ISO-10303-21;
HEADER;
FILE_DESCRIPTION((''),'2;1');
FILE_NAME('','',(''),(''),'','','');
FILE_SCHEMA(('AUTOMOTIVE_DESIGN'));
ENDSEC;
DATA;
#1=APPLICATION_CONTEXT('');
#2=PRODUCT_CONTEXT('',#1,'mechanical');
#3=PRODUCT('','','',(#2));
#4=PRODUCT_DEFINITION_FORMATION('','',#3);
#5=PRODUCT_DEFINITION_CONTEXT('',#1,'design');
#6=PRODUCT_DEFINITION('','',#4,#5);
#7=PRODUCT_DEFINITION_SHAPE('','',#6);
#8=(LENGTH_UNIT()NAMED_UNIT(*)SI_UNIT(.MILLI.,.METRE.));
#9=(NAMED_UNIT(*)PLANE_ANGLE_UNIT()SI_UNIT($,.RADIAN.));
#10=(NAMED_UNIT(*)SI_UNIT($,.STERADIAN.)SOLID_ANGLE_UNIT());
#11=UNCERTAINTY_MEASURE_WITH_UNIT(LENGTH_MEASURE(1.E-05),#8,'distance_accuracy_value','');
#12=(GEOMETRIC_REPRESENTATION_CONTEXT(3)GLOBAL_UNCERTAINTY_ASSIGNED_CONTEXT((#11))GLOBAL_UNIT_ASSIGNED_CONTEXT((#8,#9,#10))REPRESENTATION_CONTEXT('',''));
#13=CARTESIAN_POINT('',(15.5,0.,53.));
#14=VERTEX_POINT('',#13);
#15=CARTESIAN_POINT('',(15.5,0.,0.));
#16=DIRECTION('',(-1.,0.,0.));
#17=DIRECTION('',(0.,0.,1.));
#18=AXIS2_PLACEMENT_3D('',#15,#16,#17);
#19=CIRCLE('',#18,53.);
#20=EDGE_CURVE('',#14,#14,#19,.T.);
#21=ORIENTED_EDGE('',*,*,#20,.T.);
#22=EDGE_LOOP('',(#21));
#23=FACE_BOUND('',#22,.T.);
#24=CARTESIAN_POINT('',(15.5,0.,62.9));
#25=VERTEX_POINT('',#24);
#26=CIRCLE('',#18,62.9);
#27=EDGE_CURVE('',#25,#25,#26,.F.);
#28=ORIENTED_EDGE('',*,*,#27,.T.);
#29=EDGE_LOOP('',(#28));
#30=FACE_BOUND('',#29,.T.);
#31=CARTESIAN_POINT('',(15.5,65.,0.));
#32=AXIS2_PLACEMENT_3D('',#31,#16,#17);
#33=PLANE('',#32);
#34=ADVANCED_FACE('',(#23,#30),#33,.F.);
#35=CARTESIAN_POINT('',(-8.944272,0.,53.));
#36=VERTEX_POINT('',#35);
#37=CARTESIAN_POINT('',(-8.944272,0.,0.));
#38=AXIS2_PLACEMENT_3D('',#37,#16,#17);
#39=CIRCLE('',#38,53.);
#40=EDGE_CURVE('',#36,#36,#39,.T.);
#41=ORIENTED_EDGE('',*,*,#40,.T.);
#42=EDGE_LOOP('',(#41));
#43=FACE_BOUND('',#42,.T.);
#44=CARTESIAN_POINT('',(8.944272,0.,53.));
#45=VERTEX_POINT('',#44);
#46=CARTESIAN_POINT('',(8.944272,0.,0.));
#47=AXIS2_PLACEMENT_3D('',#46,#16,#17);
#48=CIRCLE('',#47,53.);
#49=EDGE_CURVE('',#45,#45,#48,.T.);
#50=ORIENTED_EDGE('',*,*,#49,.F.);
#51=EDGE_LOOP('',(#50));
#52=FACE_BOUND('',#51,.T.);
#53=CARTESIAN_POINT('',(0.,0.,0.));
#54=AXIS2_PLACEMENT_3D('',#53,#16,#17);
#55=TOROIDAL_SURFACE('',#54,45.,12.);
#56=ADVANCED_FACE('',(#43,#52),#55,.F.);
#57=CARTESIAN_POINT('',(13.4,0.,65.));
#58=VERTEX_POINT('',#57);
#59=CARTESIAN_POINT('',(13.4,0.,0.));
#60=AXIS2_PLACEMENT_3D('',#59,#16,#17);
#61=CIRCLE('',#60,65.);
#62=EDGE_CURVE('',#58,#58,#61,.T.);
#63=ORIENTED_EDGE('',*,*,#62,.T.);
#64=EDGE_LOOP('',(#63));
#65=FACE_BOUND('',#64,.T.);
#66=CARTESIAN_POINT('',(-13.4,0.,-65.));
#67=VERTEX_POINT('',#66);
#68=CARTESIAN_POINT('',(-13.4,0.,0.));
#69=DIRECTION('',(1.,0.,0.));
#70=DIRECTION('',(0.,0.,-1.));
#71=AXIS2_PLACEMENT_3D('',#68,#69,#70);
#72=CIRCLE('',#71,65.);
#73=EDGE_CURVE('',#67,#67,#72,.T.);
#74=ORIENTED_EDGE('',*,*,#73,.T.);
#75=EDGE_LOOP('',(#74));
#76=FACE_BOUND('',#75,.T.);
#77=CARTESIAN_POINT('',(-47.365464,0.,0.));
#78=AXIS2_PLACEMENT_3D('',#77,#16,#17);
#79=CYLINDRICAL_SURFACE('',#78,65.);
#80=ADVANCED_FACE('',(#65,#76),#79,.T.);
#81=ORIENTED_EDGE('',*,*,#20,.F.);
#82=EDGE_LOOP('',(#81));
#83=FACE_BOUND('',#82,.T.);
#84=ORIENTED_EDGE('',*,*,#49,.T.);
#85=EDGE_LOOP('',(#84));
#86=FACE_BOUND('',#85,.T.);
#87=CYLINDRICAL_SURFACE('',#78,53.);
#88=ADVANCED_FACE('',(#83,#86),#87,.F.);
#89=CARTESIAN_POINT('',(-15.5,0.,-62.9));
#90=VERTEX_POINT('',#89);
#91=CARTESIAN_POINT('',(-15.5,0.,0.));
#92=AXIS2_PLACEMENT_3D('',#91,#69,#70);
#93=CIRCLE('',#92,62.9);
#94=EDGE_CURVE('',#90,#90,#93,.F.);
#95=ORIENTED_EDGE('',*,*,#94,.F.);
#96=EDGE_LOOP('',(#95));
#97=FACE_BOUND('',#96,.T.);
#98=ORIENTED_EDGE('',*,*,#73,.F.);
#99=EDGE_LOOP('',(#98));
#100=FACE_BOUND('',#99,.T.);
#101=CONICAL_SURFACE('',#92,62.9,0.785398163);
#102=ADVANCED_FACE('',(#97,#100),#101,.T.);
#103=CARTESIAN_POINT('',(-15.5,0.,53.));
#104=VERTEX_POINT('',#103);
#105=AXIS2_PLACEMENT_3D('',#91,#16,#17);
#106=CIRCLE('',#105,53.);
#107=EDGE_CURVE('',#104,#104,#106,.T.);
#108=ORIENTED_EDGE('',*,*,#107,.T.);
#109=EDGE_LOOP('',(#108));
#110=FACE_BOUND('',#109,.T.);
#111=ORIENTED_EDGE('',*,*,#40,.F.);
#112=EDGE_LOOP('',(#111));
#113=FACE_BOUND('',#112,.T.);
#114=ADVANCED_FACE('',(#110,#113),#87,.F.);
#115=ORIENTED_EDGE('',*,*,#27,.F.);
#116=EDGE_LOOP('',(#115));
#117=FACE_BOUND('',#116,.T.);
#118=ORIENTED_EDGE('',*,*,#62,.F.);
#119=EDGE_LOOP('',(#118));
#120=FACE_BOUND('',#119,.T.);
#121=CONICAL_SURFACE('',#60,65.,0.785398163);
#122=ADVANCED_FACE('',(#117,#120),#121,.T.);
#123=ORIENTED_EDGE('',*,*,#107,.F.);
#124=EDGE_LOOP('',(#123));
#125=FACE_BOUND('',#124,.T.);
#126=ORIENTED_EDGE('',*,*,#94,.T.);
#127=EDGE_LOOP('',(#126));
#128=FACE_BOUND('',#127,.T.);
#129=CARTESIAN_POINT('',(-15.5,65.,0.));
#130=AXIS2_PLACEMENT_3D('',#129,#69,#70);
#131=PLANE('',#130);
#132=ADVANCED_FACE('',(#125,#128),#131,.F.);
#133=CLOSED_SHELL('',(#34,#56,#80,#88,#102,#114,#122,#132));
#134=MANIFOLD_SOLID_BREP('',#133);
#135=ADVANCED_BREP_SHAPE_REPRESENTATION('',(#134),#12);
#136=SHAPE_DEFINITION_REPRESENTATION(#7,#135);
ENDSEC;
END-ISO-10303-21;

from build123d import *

# Parameters (mm, degrees)
CHAMFER1_SIZE = 2.1


with BuildPart() as part:
    # Sketch1 → Revolve1 (revolve)
    with BuildSketch(Plane.XY):
        with BuildLine():
            Line((-15.5, 65), (15.5, 65))
            Line((15.5, 65), (15.5, 53))
            Line((15.5, 53), (8.94427191, 53))
            ThreePointArc((8.94427191, 53), (0, 57), (-8.94427191, 53))
            Line((-8.94427191, 53), (-15.5, 53))
            Line((-15.5, 53), (-15.5, 65))
        make_face()
    revolve(axis=Axis((-47.365464456, 0, 0), (1, 0, 0)))

    # Chamfer1
    chamfer1_edges = [part.edges().sort_by_distance(p)[0] for p in [
        (15.5, -65, 0),
        (-15.5, -65, 0),
    ]]
    chamfer(chamfer1_edges, length=CHAMFER1_SIZE)


solid = part.part
